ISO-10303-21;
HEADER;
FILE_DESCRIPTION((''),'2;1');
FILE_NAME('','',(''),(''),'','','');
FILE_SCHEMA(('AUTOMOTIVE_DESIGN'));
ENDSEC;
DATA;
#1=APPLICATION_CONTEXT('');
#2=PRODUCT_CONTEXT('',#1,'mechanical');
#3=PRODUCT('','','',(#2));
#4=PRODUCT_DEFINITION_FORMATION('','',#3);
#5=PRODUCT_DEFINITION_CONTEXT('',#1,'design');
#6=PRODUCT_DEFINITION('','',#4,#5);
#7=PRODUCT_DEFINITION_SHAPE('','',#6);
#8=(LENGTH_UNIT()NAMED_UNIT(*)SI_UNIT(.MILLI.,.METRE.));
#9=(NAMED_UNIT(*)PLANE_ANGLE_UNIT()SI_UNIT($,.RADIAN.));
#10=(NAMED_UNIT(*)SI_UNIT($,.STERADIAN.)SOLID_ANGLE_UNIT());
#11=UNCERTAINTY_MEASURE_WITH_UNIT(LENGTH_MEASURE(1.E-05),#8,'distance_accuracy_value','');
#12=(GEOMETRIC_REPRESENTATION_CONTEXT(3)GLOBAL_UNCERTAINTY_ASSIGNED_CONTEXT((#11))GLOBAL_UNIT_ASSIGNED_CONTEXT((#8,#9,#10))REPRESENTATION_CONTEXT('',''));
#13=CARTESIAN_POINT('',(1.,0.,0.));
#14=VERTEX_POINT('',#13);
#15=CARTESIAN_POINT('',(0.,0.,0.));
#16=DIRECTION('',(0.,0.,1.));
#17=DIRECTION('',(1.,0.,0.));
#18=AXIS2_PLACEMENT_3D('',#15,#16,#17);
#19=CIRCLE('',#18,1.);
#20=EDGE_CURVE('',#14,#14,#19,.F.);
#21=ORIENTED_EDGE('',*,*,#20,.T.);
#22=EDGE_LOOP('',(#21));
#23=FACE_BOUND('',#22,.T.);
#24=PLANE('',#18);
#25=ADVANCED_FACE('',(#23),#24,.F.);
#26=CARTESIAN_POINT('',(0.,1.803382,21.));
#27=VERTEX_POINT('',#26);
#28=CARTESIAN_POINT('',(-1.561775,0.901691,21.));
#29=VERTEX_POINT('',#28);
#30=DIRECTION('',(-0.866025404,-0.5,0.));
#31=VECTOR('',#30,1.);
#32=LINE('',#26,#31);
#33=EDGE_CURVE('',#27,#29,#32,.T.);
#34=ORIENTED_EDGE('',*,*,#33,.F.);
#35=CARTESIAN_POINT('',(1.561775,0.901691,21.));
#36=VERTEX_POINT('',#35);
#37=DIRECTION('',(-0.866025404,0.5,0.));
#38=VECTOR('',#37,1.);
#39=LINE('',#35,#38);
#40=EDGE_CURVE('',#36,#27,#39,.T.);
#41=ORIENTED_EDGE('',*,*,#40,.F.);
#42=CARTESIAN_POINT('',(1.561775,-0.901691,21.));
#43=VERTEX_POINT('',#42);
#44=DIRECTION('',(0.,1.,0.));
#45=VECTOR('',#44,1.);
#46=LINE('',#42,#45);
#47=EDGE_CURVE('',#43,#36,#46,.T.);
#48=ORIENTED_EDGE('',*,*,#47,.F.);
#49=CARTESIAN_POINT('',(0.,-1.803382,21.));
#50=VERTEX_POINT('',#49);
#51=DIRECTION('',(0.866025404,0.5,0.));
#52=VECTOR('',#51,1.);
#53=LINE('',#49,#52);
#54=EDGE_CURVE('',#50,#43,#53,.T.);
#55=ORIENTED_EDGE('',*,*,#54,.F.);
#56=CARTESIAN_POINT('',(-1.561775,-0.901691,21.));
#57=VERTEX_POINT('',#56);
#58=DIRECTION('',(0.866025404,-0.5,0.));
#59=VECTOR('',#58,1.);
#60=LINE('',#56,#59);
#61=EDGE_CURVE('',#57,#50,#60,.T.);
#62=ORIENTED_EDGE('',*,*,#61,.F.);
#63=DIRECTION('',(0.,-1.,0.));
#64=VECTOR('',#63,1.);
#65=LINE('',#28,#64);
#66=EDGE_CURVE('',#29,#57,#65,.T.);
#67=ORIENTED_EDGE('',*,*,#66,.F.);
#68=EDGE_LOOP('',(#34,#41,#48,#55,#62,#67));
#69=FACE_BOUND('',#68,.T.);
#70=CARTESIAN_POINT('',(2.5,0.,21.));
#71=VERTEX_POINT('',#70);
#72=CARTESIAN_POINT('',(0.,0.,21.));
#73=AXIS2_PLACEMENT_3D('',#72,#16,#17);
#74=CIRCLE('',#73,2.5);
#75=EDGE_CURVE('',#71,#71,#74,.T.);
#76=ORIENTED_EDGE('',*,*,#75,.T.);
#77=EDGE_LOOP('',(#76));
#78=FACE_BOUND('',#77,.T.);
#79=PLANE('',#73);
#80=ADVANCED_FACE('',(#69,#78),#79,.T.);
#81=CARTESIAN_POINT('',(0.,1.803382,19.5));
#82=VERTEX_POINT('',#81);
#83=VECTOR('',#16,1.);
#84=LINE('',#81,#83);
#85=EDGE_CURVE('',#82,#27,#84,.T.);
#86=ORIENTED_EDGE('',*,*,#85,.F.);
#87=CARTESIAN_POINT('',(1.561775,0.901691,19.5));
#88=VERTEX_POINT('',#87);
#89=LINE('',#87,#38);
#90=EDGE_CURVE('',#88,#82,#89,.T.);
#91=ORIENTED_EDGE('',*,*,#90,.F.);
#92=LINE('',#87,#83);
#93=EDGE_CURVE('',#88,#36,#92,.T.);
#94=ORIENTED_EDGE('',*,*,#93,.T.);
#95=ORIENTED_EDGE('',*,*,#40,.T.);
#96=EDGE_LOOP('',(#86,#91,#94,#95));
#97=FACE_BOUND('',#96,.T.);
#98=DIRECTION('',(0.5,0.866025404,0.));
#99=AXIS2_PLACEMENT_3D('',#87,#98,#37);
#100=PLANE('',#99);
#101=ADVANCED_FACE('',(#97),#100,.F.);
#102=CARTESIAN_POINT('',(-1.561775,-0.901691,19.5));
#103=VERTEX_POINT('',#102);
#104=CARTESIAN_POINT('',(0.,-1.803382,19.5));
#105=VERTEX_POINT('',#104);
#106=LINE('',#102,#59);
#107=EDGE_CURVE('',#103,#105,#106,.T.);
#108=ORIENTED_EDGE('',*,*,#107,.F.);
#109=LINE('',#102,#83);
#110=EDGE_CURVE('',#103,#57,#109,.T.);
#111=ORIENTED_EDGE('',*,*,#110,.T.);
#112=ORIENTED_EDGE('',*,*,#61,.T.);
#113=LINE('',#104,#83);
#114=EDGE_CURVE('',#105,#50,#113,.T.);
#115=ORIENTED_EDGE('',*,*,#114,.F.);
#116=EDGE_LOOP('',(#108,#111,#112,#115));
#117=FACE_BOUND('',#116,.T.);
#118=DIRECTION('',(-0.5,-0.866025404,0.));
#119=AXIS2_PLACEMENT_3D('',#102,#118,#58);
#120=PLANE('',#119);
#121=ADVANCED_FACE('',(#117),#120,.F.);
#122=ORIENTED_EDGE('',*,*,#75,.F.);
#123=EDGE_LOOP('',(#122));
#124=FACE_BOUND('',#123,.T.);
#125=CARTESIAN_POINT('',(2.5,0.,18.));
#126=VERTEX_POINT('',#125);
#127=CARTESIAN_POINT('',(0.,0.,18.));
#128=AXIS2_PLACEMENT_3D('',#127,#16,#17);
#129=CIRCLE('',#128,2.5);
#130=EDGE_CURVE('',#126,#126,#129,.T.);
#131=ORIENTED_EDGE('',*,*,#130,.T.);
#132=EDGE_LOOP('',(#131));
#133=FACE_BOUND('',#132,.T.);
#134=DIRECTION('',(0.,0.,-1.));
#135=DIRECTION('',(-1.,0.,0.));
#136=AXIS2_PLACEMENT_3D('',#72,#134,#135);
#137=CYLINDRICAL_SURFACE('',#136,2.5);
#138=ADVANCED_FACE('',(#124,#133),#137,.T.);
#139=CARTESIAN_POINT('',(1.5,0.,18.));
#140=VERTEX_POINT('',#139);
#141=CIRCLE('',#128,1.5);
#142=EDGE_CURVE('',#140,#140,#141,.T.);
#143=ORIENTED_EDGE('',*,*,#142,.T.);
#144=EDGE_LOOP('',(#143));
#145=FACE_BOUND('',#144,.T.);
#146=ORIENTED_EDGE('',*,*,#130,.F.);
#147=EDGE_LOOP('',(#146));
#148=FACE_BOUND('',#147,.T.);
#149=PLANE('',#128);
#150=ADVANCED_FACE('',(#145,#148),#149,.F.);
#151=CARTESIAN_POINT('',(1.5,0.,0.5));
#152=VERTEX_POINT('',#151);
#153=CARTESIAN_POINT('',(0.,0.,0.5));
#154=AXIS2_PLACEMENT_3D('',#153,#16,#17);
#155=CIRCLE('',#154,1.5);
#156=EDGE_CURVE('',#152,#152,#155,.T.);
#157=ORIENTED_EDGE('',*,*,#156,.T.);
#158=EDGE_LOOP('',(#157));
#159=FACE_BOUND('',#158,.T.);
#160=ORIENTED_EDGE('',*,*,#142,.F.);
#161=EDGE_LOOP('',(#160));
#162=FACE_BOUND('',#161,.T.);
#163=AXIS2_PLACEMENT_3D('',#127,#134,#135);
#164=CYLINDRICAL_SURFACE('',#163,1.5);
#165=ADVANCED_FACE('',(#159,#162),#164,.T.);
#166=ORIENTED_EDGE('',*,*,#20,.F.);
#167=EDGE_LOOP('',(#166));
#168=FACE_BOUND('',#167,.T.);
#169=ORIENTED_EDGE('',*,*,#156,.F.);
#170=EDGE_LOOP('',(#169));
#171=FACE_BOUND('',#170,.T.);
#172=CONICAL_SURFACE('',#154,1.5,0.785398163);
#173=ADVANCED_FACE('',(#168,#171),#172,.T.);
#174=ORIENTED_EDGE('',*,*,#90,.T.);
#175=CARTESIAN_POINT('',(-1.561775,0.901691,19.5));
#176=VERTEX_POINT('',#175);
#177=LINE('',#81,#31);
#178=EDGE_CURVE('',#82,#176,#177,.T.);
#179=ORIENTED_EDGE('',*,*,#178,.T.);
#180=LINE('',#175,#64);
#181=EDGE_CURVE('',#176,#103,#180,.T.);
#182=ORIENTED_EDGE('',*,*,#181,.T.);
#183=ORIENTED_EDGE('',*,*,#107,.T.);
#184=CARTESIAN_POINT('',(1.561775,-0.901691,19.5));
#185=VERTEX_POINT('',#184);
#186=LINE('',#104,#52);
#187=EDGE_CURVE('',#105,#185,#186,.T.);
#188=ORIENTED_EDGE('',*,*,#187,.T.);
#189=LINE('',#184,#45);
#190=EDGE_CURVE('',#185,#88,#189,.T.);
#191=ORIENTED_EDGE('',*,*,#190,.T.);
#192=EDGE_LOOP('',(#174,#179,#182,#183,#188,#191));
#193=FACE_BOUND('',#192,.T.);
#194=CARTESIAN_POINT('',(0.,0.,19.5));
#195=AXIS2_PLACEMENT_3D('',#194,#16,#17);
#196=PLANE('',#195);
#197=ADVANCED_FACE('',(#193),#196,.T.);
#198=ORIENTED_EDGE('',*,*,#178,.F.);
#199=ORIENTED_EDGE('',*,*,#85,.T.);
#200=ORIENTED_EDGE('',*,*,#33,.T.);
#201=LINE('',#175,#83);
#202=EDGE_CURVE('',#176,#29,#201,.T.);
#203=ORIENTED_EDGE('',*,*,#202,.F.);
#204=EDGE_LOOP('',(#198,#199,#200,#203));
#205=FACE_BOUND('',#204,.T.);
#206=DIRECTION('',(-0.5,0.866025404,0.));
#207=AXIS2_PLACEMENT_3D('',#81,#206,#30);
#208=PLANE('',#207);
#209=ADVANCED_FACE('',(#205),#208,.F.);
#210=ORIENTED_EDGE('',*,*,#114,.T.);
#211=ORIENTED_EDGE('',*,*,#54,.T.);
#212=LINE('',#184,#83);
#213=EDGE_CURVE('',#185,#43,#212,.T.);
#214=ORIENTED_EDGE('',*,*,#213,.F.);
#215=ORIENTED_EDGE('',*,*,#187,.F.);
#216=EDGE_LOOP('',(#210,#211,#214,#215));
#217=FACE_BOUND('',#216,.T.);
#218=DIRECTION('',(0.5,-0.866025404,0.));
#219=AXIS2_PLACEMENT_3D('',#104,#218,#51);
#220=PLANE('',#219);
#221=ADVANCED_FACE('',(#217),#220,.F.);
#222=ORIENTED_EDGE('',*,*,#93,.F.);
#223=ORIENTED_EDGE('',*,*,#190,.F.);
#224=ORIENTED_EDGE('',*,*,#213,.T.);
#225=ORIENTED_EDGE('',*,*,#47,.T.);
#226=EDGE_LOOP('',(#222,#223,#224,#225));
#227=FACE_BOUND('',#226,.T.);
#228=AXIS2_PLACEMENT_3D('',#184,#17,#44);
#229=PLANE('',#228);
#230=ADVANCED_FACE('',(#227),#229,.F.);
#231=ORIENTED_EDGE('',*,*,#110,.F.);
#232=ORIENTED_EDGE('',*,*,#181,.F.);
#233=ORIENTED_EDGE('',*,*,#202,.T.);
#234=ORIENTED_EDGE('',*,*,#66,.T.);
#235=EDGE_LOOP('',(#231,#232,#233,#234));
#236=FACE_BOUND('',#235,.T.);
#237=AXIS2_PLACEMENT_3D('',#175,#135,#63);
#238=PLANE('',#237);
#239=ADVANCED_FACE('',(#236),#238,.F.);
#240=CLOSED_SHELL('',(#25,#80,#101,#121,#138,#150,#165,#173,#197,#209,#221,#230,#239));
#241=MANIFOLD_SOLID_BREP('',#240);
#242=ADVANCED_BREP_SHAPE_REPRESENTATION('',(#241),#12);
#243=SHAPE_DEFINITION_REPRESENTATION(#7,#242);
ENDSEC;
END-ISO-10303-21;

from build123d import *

# Parameters (mm, degrees)
SKETCH_1_R          = 1.5
EXTRUDE_1_DEPTH     = 18
SKETCH_2_R          = 2.5
EXTRUDE_2_DEPTH     = 3
CUT_EXTRUDE_1_DEPTH = 1.5
CHAMFER_1_SIZE      = 0.5


with BuildPart() as part:
    # 草图1 → 凸台-拉伸1 (new body)
    with BuildSketch(Plane.XY):
        Circle(SKETCH_1_R)
    extrude(amount=EXTRUDE_1_DEPTH)

    # 草图2 → 凸台-拉伸2 (add)
    with BuildSketch(Plane.XY.offset(18)):
        Circle(SKETCH_2_R)
    extrude(amount=EXTRUDE_2_DEPTH)

    # 草图3 → 切除-拉伸1 (cut)
    with BuildSketch(Plane.XY.offset(21)):
        Polygon((0, 1.803382283), (-1.56177487, 0.901691141), (-1.56177487, -0.901691141), (0, -1.803382283), (1.56177487, -0.901691141), (1.56177487, 0.901691141), align=None)
    extrude(amount=-CUT_EXTRUDE_1_DEPTH, mode=Mode.SUBTRACT)

    # 倒角1
    chamfer_1_edges = [part.edges().sort_by_distance(p)[0] for p in [
        (-1.5, 0, 0),
    ]]
    chamfer(chamfer_1_edges, length=CHAMFER_1_SIZE)


solid = part.part
